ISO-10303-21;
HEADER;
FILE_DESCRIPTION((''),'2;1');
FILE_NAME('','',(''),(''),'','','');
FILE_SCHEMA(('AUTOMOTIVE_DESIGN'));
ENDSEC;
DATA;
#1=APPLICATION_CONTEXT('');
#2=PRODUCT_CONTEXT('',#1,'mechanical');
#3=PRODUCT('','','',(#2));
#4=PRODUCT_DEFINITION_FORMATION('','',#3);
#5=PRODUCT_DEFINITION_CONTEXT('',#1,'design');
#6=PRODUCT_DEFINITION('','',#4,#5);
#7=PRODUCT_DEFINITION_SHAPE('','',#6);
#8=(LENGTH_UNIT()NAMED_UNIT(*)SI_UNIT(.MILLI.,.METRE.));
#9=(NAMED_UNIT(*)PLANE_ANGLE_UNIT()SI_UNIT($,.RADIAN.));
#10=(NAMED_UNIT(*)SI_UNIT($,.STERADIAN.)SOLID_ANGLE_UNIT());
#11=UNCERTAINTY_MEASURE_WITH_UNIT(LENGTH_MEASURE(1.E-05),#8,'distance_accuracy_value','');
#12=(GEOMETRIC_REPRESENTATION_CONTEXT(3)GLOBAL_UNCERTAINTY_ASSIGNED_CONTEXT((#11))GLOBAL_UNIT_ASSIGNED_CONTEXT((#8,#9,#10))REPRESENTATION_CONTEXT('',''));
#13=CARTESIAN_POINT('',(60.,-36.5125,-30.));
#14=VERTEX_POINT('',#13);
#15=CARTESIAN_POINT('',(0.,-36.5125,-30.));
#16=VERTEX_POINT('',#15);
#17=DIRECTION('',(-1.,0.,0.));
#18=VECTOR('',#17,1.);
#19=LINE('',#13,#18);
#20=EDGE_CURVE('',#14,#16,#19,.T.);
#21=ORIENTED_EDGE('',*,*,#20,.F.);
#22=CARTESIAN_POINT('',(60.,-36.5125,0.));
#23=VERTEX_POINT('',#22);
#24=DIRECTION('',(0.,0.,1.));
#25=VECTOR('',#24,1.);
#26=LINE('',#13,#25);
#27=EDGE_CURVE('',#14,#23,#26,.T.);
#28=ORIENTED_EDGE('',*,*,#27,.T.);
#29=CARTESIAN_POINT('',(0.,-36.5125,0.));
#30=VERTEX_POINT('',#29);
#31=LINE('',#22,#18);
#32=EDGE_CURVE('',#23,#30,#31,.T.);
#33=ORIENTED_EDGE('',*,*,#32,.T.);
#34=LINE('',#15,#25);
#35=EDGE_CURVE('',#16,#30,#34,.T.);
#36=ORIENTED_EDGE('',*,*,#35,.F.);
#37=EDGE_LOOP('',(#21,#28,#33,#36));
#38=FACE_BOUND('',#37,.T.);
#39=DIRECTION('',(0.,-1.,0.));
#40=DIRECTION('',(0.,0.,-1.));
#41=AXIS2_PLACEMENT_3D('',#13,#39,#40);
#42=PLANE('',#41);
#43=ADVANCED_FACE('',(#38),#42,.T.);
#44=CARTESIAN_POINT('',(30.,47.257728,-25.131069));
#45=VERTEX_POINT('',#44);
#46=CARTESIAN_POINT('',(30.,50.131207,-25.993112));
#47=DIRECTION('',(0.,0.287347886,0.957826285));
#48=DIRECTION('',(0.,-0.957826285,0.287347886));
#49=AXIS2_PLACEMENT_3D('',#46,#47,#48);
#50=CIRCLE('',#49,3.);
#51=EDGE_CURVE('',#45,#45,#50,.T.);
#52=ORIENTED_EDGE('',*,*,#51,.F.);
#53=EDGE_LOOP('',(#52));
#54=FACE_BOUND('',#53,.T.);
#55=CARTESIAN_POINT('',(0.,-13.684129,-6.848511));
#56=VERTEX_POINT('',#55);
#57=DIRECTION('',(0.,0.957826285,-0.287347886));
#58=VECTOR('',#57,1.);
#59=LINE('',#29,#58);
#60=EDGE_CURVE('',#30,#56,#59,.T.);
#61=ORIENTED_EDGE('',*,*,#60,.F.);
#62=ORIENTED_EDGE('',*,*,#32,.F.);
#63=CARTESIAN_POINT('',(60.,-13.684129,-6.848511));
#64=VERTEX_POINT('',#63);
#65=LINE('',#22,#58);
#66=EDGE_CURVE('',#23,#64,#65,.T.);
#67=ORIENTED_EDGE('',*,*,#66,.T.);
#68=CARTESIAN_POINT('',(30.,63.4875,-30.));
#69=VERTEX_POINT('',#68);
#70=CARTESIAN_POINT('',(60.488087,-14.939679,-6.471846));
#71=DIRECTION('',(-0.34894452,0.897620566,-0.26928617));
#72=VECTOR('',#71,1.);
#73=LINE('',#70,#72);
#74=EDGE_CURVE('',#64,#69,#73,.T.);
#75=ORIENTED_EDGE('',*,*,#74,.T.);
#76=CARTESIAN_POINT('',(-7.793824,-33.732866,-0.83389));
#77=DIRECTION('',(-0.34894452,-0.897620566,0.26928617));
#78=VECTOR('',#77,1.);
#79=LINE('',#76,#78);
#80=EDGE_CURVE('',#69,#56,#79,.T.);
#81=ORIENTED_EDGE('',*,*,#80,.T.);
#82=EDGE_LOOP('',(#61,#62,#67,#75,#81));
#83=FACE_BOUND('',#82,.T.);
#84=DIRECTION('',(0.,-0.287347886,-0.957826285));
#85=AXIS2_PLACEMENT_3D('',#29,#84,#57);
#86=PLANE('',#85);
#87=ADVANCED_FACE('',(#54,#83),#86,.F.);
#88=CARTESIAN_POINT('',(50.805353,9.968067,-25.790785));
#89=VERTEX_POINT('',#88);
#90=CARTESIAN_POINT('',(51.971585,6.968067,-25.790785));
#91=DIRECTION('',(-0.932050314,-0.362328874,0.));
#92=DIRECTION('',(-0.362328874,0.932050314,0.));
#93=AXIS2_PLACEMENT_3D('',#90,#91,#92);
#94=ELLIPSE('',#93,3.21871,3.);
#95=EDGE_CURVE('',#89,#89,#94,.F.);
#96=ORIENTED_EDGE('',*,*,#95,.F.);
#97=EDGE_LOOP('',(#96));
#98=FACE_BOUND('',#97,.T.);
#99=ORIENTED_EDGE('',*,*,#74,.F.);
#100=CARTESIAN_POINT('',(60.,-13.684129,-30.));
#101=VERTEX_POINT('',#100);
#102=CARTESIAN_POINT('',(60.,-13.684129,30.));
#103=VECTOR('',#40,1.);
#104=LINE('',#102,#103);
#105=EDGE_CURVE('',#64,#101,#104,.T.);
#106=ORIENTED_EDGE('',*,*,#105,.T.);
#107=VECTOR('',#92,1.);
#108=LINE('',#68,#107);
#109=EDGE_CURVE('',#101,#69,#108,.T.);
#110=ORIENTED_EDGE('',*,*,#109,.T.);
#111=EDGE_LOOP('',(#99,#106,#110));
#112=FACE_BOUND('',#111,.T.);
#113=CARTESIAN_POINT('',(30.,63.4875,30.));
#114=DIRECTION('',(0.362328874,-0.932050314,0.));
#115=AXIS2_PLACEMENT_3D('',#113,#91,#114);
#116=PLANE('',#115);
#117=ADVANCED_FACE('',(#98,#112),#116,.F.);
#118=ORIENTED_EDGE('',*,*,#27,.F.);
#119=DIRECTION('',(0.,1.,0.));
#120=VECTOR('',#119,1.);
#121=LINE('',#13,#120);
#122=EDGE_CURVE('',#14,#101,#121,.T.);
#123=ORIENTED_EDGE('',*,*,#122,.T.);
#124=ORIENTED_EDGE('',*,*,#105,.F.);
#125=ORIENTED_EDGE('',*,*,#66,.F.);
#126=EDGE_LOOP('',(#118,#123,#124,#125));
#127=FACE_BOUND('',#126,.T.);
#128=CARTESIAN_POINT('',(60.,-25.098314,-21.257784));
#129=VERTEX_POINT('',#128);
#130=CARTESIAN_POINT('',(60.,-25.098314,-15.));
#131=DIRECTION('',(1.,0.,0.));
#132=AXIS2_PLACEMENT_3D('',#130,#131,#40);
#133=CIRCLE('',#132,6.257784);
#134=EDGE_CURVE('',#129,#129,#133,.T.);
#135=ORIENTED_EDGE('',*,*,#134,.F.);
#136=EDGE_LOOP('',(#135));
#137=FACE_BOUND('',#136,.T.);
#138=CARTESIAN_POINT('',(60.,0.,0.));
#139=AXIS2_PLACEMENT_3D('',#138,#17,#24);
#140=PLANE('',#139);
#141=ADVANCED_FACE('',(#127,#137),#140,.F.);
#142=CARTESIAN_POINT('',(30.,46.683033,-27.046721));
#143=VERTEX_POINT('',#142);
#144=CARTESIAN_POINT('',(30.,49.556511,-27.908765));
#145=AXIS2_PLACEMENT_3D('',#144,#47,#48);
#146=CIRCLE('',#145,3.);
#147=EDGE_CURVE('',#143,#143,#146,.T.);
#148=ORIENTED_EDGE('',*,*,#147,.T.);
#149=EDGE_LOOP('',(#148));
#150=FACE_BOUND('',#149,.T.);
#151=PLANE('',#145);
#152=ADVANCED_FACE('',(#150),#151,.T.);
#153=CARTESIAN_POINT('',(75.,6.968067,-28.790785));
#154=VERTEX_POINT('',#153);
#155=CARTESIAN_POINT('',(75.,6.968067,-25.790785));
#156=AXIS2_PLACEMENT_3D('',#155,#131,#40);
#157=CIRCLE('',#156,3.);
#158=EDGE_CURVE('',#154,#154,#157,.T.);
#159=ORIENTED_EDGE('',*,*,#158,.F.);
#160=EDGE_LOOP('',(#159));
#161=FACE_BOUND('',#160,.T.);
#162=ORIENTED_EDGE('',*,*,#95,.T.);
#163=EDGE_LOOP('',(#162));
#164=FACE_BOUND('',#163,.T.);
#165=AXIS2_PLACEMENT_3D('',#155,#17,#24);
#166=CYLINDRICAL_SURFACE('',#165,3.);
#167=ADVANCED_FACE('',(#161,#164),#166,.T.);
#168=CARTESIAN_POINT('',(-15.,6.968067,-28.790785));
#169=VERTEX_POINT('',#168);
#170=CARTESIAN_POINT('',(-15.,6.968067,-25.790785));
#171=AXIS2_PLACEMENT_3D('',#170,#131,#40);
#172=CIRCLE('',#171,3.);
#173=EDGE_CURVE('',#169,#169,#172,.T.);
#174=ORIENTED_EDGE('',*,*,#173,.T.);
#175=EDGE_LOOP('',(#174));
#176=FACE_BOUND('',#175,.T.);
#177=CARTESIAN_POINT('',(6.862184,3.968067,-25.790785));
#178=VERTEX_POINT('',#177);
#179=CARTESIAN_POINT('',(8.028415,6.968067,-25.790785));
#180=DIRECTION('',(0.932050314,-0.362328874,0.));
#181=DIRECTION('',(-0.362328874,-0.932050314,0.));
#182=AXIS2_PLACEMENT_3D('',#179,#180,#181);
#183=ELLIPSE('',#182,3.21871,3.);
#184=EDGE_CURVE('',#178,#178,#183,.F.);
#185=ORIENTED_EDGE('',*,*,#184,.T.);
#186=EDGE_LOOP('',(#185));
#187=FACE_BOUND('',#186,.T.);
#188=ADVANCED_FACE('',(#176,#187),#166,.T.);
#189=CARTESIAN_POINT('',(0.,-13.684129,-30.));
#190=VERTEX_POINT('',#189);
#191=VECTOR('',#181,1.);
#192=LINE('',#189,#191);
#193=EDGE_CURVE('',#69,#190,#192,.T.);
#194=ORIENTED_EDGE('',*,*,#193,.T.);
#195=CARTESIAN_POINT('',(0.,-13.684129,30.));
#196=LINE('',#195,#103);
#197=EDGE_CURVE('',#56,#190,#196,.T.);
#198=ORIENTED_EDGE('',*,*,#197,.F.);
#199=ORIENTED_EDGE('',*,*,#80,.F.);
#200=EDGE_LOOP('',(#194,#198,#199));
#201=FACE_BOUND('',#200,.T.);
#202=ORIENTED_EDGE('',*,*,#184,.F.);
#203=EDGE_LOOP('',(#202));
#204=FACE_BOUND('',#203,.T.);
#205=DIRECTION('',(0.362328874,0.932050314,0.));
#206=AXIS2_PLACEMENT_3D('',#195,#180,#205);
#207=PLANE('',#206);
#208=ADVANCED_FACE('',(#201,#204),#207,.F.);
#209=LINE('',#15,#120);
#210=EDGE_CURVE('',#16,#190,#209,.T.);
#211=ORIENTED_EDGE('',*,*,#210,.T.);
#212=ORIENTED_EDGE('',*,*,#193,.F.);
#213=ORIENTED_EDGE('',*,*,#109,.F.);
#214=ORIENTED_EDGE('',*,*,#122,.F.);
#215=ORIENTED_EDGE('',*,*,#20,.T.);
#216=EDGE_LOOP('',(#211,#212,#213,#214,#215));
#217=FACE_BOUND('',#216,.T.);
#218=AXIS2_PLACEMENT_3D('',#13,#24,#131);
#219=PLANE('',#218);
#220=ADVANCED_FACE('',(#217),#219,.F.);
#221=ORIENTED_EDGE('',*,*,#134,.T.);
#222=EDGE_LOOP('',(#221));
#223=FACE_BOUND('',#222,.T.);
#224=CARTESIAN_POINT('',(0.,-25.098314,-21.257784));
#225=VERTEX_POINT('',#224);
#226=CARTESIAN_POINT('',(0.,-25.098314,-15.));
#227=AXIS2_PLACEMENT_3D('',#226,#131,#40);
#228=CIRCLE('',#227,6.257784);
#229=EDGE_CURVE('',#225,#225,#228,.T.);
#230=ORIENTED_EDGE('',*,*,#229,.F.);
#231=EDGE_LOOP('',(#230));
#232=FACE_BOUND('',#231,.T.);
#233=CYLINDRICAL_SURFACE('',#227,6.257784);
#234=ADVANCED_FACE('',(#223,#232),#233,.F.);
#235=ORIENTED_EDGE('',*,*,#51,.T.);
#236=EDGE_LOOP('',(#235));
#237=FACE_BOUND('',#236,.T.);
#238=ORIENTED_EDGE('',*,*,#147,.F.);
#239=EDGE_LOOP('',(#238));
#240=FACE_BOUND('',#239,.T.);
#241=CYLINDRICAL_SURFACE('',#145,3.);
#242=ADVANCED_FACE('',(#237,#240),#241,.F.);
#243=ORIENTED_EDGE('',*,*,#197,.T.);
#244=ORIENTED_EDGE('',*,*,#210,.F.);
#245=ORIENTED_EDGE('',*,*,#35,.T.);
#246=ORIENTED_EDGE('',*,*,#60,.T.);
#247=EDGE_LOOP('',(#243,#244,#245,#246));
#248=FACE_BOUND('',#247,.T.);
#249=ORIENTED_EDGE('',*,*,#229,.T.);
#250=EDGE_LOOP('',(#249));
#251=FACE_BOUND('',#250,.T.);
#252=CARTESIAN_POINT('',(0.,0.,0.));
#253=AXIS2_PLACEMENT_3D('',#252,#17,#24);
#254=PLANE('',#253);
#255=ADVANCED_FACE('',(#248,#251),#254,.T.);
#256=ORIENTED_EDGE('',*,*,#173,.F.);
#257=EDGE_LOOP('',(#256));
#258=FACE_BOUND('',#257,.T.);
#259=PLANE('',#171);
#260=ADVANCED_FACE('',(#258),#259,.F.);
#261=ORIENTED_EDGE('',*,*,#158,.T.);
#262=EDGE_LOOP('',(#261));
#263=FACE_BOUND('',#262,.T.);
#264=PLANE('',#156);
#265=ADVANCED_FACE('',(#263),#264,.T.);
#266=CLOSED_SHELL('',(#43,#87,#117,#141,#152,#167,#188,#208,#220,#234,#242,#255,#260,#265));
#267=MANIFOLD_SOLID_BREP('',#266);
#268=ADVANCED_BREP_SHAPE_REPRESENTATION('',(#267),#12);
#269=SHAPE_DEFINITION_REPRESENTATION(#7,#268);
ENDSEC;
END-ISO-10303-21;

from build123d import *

# Parameters (mm, degrees)
SKETCH2_W           = 30
SKETCH2_H           = 100
EXTRUDE_THIN1_DEPTH = 60
CUT_EXTRUDE1_DEPTH  = 60
CUT_EXTRUDE2_DEPTH  = 60
CUT_EXTRUDE3_DEPTH  = 60
SKETCH6_R           = 6.257784416
CUT_EXTRUDE4_DEPTH  = 61
SKETCH7_R           = 3
CUT_EXTRUDE5_DEPTH  = 2
BOSS_EXTRUDE1_START = -75
SKETCH10_R          = 3
BOSS_EXTRUDE1_DEPTH = 90


with BuildPart() as part:
    # Sketch2 → Extrude-Thin1 (new body)
    with BuildSketch(Plane(origin=(0, 0, 0), x_dir=(0, 0, -1), z_dir=(1, 0, 0))):
        with Locations((15, 13.4875)):
            Rectangle(SKETCH2_W, SKETCH2_H)
    extrude(amount=EXTRUDE_THIN1_DEPTH)

    # Sketch3 → Cut-Extrude1 (cut)
    with BuildSketch(Plane(origin=(60, 0, 0), x_dir=(0, 0, -1), z_dir=(1, 0, 0))):
        Polygon((0, 63.4875), (0, -36.5125), (30, 63.4875), align=None)
    extrude(amount=-CUT_EXTRUDE1_DEPTH, mode=Mode.SUBTRACT)

    # Sketch4 → Cut-Extrude2 (cut)
    with BuildSketch(Plane(origin=(0, 0, -30), x_dir=(-1, 0, 0), z_dir=(0, 0, -1))):
        Polygon((-30, 63.4875), (-60, -13.684128909), (-60, 63.4875), align=None)
    extrude(amount=-CUT_EXTRUDE2_DEPTH, mode=Mode.SUBTRACT)

    # Sketch5 → Cut-Extrude3 (cut)
    with BuildSketch(Plane(origin=(0, 0, -30), x_dir=(-1, 0, 0), z_dir=(0, 0, -1))):
        Polygon((-30, 63.4875), (0, 63.4875), (0, -13.684128909), align=None)
    extrude(amount=-CUT_EXTRUDE3_DEPTH, mode=Mode.SUBTRACT)

    # Sketch6 → Cut-Extrude4 (cut, through all)
    with BuildSketch(Plane(origin=(60, 0, 0), x_dir=(0, 0, -1), z_dir=(1, 0, 0))):
        with Locations((15, -25.098314454)):
            Circle(SKETCH6_R)
    extrude(amount=-CUT_EXTRUDE4_DEPTH, mode=Mode.SUBTRACT)

    # Sketch7 → Cut-Extrude5 (cut)
    with BuildSketch(Plane(origin=(0, -3.014793578, -10.049311927), x_dir=(1, 0, 0), z_dir=(0, 0.287347886, 0.957826285))):
        with Locations((30, 55.48605385)):
            Circle(SKETCH7_R)
    extrude(amount=-CUT_EXTRUDE5_DEPTH, mode=Mode.SUBTRACT)

    # Sketch10 → Boss-Extrude1 (add)
    with BuildSketch(Plane(origin=(60, 0, 0), x_dir=(0, 0, -1), z_dir=(1, 0, 0)).offset(BOSS_EXTRUDE1_START)):
        with Locations((25.790784961, 6.968067419)):
            Circle(SKETCH10_R)
    extrude(amount=BOSS_EXTRUDE1_DEPTH)


solid = part.part
